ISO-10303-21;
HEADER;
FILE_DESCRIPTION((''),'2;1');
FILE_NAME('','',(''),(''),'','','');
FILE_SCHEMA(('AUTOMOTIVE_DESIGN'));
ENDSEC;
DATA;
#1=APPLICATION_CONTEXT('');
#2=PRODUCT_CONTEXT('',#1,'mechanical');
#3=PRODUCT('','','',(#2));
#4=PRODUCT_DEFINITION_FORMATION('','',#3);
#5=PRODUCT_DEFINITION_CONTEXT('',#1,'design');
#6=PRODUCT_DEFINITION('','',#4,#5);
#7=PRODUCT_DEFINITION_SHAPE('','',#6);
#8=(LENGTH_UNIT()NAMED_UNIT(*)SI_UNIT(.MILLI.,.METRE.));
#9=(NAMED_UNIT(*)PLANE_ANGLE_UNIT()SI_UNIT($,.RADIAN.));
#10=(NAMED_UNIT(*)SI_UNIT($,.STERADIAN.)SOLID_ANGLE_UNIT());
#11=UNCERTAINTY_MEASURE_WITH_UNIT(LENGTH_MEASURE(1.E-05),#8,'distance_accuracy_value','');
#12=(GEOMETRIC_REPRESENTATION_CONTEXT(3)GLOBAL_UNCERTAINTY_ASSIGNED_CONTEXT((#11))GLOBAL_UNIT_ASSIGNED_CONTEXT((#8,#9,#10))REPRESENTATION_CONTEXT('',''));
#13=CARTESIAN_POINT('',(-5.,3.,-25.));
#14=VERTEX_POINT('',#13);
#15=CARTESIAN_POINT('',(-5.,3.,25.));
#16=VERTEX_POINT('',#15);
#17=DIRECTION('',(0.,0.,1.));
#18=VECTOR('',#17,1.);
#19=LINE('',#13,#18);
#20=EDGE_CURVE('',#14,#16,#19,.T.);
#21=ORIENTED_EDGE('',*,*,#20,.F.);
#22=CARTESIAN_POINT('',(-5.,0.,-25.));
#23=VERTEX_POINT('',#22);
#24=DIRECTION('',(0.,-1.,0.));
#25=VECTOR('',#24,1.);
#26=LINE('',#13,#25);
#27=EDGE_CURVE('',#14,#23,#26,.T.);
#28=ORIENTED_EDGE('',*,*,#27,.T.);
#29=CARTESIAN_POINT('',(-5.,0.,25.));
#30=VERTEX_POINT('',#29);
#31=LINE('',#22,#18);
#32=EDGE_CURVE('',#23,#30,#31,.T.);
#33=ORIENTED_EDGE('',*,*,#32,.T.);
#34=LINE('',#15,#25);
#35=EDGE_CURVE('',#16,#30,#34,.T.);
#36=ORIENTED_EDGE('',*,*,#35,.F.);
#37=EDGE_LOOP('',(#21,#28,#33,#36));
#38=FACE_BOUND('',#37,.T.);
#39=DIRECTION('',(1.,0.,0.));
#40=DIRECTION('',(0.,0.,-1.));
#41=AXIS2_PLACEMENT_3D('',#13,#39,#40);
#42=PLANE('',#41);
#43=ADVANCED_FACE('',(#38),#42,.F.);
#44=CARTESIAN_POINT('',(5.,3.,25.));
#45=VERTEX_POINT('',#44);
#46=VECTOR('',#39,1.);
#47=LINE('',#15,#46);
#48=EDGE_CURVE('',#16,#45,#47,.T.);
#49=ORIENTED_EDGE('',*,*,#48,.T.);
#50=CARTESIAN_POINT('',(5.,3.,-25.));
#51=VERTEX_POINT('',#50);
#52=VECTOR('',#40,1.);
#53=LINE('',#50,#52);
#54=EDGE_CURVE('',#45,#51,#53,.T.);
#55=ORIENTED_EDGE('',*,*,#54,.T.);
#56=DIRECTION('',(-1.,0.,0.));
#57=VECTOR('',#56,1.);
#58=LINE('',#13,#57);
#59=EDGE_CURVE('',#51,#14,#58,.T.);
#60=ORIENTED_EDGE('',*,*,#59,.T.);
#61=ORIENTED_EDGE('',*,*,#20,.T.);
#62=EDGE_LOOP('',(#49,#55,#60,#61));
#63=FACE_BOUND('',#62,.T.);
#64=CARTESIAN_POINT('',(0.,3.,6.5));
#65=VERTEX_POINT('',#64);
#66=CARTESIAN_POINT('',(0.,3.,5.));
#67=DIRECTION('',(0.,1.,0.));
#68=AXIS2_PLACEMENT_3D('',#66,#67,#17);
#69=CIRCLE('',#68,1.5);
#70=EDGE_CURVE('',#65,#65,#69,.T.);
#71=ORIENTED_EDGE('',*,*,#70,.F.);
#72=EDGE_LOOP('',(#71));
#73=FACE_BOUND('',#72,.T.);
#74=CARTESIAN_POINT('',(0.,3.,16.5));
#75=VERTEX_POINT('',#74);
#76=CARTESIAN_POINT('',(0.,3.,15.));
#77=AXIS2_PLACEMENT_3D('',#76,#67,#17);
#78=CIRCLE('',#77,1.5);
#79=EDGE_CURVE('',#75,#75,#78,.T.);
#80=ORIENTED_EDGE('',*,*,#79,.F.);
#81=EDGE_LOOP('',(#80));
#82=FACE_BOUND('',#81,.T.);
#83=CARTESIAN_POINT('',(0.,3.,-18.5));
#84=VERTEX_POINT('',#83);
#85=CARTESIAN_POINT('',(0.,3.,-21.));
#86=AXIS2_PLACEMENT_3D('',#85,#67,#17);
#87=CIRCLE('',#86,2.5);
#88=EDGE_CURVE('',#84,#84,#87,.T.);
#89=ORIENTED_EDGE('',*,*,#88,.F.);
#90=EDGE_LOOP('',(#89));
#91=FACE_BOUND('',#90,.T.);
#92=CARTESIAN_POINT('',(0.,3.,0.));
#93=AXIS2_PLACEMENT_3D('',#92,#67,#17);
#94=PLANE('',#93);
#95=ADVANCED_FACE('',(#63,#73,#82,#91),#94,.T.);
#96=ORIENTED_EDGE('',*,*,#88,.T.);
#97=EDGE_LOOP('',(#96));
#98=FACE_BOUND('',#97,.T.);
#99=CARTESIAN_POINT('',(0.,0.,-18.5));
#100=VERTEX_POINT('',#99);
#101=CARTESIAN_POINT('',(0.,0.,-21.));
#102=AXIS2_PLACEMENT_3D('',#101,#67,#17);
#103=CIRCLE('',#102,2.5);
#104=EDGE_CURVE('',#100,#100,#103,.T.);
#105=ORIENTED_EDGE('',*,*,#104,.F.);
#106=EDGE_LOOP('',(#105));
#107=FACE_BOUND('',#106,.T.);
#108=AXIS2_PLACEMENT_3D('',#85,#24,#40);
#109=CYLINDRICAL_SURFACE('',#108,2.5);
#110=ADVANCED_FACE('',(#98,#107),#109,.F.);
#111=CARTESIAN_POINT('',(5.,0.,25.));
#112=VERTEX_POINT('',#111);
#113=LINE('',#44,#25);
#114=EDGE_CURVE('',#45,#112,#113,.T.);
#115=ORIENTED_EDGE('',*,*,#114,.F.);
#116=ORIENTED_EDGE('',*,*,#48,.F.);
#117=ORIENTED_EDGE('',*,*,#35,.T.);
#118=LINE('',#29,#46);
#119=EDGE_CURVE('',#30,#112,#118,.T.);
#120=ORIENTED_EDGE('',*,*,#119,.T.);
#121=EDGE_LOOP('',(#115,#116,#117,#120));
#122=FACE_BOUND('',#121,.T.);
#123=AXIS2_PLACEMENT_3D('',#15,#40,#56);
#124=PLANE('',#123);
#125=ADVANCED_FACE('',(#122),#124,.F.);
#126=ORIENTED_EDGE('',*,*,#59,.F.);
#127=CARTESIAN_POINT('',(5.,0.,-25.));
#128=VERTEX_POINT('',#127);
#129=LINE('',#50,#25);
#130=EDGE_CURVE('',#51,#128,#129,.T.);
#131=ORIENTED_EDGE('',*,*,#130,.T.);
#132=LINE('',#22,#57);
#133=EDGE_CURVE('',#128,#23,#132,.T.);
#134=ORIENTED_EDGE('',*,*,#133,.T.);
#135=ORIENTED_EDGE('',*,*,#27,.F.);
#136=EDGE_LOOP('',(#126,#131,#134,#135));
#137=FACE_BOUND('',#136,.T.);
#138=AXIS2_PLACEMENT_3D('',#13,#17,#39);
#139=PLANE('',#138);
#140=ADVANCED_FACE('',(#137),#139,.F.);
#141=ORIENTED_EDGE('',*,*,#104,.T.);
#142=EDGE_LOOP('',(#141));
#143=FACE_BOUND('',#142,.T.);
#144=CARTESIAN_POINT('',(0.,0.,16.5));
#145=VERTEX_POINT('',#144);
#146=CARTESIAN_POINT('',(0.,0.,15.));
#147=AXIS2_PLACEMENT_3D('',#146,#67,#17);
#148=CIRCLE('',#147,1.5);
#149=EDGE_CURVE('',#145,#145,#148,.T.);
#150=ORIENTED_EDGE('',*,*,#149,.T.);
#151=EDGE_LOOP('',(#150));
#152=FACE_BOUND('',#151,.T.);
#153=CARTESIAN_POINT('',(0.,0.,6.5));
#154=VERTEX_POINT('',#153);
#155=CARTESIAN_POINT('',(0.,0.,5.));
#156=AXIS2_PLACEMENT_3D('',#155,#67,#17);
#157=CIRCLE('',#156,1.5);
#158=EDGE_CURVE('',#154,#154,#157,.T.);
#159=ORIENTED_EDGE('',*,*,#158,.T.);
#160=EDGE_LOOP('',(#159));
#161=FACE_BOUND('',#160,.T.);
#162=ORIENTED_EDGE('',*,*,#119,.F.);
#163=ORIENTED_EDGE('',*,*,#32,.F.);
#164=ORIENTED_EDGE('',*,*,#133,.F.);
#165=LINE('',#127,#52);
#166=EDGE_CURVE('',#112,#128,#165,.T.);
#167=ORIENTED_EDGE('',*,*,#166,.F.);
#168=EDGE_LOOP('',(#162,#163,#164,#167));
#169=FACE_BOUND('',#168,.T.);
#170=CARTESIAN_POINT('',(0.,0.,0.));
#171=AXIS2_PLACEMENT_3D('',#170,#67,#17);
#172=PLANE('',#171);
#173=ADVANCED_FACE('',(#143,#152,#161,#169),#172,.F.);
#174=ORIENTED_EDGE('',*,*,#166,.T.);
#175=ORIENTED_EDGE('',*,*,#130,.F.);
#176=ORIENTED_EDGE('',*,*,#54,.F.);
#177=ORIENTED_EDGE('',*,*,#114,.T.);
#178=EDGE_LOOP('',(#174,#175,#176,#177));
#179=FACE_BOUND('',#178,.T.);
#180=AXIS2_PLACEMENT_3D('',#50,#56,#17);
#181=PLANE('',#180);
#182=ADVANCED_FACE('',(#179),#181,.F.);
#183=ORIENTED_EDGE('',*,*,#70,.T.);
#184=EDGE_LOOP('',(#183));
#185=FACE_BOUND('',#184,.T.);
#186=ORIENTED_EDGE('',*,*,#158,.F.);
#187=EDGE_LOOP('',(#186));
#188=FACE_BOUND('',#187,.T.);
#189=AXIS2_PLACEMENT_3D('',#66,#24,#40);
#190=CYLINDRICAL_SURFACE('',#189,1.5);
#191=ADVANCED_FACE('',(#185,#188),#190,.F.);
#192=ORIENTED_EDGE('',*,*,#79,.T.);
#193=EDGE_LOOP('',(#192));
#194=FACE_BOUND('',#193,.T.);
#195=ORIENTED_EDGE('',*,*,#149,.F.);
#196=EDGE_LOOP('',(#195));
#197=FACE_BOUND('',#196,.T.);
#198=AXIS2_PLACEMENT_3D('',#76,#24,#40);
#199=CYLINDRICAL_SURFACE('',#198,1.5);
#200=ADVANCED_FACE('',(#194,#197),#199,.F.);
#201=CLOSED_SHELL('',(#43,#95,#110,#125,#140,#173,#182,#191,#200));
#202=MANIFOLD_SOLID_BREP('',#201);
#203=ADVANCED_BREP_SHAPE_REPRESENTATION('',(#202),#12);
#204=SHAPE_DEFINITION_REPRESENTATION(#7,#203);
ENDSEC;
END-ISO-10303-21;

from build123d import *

# Parameters (mm, degrees)
SKETCH1_W           = 10
SKETCH1_H           = 50
SKETCH1_R           = 1.5
SKETCH1_R_2         = 2.5
BOSS_EXTRUDE1_DEPTH = 3


with BuildPart() as part:
    # Sketch1 → Boss-Extrude1 (new body)
    with BuildSketch(Plane(origin=(0, 0, 0), x_dir=(1, 0, 0), z_dir=(0, 1, 0))):
        Rectangle(SKETCH1_W, SKETCH1_H)
        with Locations(Location((0, -15, 0), (0, 0, 270))):
            Circle(SKETCH1_R, mode=Mode.SUBTRACT)
        with Locations(Location((0, -5, 0), (0, 0, 270))):
            Circle(SKETCH1_R, mode=Mode.SUBTRACT)
        with Locations(Location((0, 21, 0), (0, 0, 270))):
            Circle(SKETCH1_R_2, mode=Mode.SUBTRACT)
    extrude(amount=BOSS_EXTRUDE1_DEPTH)


solid = part.part
